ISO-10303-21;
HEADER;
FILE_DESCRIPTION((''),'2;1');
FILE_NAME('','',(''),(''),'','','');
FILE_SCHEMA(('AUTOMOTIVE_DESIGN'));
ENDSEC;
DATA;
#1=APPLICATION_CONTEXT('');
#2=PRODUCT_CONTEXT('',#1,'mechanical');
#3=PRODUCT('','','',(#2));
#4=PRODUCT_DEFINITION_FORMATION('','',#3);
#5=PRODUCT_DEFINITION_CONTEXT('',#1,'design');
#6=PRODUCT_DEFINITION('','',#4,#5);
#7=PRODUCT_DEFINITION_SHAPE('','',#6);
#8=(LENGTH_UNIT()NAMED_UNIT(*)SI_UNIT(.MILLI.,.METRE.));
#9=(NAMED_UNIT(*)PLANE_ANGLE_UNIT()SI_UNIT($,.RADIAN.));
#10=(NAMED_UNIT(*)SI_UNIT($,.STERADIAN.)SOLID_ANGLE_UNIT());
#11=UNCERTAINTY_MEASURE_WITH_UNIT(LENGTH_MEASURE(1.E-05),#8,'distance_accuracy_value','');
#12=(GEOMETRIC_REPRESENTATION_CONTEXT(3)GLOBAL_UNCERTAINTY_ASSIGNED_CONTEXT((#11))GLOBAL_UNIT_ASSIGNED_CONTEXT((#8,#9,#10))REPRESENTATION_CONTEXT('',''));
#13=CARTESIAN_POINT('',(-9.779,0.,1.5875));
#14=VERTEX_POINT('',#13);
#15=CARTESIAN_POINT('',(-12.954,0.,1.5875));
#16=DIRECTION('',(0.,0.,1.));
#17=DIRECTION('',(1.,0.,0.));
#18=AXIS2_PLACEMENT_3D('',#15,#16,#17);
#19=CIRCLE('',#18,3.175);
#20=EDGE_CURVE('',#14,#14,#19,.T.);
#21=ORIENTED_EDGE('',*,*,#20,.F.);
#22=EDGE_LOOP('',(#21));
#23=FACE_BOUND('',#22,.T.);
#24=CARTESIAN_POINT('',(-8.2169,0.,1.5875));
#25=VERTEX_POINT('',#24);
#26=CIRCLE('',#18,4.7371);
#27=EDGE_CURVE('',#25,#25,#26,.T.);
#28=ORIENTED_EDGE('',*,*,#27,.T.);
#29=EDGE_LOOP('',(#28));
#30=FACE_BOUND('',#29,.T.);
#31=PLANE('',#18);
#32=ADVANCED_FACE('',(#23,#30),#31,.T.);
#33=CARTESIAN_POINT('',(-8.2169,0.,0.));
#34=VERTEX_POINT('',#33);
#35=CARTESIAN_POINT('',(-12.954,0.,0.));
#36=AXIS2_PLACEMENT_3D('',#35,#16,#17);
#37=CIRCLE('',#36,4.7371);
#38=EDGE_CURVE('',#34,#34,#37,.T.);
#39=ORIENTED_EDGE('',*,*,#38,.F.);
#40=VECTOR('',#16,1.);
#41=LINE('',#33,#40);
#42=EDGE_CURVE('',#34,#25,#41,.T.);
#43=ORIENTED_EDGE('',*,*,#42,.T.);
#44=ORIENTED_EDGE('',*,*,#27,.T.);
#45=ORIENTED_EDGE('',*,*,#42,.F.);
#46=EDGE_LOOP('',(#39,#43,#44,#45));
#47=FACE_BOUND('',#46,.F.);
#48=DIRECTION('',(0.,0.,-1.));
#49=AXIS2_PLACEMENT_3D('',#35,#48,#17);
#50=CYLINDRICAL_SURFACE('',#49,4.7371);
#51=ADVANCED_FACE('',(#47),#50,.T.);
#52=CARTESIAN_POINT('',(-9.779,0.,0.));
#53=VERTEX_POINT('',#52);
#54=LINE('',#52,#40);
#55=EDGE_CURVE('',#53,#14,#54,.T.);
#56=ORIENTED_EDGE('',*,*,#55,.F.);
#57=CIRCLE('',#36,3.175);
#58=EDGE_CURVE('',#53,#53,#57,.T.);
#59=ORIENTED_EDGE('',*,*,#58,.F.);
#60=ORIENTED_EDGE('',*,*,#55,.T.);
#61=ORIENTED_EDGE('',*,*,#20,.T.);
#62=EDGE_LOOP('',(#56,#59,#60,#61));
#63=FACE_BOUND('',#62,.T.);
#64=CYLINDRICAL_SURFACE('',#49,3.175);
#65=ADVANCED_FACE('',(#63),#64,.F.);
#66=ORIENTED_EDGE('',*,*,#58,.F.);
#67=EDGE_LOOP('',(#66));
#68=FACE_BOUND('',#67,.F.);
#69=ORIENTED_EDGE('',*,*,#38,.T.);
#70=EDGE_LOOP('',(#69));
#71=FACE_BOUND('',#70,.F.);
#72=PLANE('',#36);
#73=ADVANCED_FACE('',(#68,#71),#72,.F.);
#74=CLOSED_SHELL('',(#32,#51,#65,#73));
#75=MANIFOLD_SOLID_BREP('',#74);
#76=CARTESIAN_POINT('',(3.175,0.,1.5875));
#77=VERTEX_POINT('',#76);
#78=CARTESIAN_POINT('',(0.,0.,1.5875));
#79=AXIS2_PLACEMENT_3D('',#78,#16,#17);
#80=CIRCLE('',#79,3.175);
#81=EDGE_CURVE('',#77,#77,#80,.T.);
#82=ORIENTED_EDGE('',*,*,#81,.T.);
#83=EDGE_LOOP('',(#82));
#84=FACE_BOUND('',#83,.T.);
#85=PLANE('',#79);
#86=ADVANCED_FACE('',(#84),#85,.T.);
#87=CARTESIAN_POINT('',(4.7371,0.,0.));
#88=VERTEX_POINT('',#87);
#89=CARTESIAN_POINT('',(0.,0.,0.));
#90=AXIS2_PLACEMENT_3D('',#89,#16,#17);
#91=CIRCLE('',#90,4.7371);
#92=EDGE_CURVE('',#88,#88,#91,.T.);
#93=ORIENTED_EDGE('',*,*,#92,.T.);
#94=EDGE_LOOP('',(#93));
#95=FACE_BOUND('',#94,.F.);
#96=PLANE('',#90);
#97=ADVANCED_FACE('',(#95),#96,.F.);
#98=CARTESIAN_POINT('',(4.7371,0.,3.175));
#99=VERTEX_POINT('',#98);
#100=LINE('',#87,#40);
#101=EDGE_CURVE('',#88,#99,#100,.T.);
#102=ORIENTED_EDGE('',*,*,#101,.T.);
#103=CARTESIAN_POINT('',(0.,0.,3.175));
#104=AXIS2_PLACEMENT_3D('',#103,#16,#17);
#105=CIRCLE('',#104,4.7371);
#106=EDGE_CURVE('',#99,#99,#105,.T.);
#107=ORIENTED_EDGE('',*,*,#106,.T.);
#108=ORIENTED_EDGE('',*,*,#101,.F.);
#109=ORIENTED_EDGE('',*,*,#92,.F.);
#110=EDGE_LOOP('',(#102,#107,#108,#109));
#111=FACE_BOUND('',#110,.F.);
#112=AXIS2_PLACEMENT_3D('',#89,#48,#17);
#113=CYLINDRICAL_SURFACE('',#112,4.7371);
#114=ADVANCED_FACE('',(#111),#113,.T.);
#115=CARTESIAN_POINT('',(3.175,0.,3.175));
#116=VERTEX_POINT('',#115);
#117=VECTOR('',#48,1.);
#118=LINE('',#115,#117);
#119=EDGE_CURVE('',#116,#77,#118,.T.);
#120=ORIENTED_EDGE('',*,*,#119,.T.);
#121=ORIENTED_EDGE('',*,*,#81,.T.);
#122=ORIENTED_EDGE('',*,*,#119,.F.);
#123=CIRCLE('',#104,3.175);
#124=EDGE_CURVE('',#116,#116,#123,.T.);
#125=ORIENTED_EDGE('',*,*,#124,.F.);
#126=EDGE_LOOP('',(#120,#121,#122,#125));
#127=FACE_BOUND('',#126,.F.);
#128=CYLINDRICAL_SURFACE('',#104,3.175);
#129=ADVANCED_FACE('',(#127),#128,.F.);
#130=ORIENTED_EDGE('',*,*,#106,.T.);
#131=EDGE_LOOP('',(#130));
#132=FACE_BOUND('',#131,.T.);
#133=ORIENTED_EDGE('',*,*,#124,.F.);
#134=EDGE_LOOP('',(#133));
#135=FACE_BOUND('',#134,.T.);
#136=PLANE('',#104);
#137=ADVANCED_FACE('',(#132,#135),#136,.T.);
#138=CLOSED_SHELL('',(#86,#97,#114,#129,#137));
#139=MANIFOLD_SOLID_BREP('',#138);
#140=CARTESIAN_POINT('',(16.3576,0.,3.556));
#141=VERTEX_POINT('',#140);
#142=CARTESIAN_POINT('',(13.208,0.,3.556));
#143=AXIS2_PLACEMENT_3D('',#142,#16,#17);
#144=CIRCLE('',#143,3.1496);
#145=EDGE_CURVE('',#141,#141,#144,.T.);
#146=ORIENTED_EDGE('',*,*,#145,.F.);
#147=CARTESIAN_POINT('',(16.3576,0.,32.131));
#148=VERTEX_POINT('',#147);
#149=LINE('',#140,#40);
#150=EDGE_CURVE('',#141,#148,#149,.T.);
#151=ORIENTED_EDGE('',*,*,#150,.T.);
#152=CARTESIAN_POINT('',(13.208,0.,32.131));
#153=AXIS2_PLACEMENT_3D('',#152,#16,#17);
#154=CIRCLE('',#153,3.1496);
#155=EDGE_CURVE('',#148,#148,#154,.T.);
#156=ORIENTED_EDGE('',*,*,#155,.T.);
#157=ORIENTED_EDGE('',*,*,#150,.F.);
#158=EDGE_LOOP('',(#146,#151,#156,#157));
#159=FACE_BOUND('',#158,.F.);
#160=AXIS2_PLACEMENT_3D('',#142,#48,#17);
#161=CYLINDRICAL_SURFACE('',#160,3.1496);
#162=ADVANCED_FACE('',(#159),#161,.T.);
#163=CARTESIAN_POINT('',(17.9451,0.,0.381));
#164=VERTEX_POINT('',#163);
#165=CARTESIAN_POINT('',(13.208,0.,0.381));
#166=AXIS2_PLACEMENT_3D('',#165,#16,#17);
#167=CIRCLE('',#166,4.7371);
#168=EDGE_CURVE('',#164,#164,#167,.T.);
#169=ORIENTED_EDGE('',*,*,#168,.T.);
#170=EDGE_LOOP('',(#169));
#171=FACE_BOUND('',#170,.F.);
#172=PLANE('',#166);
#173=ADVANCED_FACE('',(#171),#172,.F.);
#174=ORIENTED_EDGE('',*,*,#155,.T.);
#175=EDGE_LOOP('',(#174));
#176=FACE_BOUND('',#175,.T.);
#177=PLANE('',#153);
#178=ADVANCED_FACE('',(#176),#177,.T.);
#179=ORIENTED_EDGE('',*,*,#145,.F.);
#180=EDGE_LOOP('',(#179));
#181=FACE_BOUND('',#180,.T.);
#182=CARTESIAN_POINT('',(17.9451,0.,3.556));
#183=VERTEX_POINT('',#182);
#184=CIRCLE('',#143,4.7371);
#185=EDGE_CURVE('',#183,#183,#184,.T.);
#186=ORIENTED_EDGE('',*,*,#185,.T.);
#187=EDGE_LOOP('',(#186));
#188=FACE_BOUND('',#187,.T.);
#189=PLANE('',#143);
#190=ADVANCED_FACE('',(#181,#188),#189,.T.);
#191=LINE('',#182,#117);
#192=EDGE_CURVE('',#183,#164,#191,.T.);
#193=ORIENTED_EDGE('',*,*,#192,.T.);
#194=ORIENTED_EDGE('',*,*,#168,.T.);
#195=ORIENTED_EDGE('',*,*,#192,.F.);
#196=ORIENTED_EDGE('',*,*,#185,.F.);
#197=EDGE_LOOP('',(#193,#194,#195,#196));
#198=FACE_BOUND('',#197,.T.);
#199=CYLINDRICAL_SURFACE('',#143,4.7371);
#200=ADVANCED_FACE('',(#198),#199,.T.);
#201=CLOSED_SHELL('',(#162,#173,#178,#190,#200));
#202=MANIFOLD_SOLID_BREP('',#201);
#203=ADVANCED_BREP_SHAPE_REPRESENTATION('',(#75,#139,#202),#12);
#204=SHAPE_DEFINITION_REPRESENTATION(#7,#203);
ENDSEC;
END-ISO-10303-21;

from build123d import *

# Parameters (mm, degrees)
F0_R      = 3.1496
F1_DEPTH  = 31.75
F2_R      = 4.7371
F3_DEPTH  = 3.175
F5_R      = 4.7371
F6_DEPTH  = 3.175
F7_R      = 3.175
F8_DEPTH  = 3.175
F10_R     = 4.7371
F11_DEPTH = 3.175
F12_R     = 3.175
F13_DEPTH = 1.5875
F17_DEPTH = 1.5875
F18_DEPTH = 1.5875
F19_R     = 3.175
F20_DEPTH = 1.5875
F21_DEPTH = 3.175


with BuildPart() as f1:
    # F0 (on Top) → F1 (new body)
    with BuildSketch(Plane.XY):
        Circle(F0_R)
    extrude(amount=F1_DEPTH)

    # F2 (on Top) → F3 (join)
    with BuildSketch(Plane.XY):
        Circle(F2_R)
    extrude(amount=-F3_DEPTH)


with BuildPart() as f1_1:
    # F4: moved
    add(f1.part.moved(Location((20.828, 0, 0))))


with BuildPart() as f6:
    # F5 (on Top) → F6 (new body)
    with BuildSketch(Plane.XY):
        Circle(F5_R)
    extrude(amount=F6_DEPTH)

    # F7 (on Top) → F8 (cut)
    with BuildSketch(Plane.XY):
        Circle(F7_R)
    extrude(amount=F8_DEPTH, mode=Mode.SUBTRACT)


with BuildPart() as f6_1:
    # F9: moved
    add(f6.part.moved(Location((0, 21.336, 0))))


with BuildPart() as f11:
    # F10 (on Top) → F11 (new body)
    with BuildSketch(Plane.XY):
        Circle(F10_R)
    extrude(amount=F11_DEPTH)

    # F12 (on Top) → F13 (cut)
    with BuildSketch(Plane.XY):
        Circle(F12_R)
    extrude(amount=F13_DEPTH, mode=Mode.SUBTRACT)

    # F17 (add): a face of the model
    f17_faces = [f11.faces().sort_by_distance(p)[0] for p in [
        (0, 0, 1.5875),
    ]]
    extrude(f17_faces, amount=F17_DEPTH)

    # F19 (on face) → F20 (cut)
    with BuildSketch(Plane.XY.offset(3.175)):
        Circle(F19_R)
    extrude(amount=-F20_DEPTH, mode=Mode.SUBTRACT)


with BuildPart() as f6_2:
    # F14: moved
    add(f6_1.part.moved(Location((-12.954, -21.336, 0))))

    # F18 (cut): a face of the model
    f18_faces = [f6_2.faces().sort_by_distance(p)[0] for p in [
        (-17.5571145787, 0, 3.175),
    ]]
    extrude(f18_faces, amount=-F18_DEPTH, mode=Mode.SUBTRACT)


with BuildPart() as f1_2:
    # F15: moved
    add(f1_1.part.moved(Location((-7.62, 0, 0))))


with BuildPart() as f1_3:
    # F16: moved
    add(f1_2.part.moved(Location((0, 0, 3.556))))

    # F21 (cut): a face of the model
    f21_faces = [f1_3.faces().sort_by_distance(p)[0] for p in [
        (13.208, 0, 35.306),
    ]]
    extrude(f21_faces, amount=-F21_DEPTH, mode=Mode.SUBTRACT)


solid = Compound([f11.part, f6_2.part, f1_3.part])
